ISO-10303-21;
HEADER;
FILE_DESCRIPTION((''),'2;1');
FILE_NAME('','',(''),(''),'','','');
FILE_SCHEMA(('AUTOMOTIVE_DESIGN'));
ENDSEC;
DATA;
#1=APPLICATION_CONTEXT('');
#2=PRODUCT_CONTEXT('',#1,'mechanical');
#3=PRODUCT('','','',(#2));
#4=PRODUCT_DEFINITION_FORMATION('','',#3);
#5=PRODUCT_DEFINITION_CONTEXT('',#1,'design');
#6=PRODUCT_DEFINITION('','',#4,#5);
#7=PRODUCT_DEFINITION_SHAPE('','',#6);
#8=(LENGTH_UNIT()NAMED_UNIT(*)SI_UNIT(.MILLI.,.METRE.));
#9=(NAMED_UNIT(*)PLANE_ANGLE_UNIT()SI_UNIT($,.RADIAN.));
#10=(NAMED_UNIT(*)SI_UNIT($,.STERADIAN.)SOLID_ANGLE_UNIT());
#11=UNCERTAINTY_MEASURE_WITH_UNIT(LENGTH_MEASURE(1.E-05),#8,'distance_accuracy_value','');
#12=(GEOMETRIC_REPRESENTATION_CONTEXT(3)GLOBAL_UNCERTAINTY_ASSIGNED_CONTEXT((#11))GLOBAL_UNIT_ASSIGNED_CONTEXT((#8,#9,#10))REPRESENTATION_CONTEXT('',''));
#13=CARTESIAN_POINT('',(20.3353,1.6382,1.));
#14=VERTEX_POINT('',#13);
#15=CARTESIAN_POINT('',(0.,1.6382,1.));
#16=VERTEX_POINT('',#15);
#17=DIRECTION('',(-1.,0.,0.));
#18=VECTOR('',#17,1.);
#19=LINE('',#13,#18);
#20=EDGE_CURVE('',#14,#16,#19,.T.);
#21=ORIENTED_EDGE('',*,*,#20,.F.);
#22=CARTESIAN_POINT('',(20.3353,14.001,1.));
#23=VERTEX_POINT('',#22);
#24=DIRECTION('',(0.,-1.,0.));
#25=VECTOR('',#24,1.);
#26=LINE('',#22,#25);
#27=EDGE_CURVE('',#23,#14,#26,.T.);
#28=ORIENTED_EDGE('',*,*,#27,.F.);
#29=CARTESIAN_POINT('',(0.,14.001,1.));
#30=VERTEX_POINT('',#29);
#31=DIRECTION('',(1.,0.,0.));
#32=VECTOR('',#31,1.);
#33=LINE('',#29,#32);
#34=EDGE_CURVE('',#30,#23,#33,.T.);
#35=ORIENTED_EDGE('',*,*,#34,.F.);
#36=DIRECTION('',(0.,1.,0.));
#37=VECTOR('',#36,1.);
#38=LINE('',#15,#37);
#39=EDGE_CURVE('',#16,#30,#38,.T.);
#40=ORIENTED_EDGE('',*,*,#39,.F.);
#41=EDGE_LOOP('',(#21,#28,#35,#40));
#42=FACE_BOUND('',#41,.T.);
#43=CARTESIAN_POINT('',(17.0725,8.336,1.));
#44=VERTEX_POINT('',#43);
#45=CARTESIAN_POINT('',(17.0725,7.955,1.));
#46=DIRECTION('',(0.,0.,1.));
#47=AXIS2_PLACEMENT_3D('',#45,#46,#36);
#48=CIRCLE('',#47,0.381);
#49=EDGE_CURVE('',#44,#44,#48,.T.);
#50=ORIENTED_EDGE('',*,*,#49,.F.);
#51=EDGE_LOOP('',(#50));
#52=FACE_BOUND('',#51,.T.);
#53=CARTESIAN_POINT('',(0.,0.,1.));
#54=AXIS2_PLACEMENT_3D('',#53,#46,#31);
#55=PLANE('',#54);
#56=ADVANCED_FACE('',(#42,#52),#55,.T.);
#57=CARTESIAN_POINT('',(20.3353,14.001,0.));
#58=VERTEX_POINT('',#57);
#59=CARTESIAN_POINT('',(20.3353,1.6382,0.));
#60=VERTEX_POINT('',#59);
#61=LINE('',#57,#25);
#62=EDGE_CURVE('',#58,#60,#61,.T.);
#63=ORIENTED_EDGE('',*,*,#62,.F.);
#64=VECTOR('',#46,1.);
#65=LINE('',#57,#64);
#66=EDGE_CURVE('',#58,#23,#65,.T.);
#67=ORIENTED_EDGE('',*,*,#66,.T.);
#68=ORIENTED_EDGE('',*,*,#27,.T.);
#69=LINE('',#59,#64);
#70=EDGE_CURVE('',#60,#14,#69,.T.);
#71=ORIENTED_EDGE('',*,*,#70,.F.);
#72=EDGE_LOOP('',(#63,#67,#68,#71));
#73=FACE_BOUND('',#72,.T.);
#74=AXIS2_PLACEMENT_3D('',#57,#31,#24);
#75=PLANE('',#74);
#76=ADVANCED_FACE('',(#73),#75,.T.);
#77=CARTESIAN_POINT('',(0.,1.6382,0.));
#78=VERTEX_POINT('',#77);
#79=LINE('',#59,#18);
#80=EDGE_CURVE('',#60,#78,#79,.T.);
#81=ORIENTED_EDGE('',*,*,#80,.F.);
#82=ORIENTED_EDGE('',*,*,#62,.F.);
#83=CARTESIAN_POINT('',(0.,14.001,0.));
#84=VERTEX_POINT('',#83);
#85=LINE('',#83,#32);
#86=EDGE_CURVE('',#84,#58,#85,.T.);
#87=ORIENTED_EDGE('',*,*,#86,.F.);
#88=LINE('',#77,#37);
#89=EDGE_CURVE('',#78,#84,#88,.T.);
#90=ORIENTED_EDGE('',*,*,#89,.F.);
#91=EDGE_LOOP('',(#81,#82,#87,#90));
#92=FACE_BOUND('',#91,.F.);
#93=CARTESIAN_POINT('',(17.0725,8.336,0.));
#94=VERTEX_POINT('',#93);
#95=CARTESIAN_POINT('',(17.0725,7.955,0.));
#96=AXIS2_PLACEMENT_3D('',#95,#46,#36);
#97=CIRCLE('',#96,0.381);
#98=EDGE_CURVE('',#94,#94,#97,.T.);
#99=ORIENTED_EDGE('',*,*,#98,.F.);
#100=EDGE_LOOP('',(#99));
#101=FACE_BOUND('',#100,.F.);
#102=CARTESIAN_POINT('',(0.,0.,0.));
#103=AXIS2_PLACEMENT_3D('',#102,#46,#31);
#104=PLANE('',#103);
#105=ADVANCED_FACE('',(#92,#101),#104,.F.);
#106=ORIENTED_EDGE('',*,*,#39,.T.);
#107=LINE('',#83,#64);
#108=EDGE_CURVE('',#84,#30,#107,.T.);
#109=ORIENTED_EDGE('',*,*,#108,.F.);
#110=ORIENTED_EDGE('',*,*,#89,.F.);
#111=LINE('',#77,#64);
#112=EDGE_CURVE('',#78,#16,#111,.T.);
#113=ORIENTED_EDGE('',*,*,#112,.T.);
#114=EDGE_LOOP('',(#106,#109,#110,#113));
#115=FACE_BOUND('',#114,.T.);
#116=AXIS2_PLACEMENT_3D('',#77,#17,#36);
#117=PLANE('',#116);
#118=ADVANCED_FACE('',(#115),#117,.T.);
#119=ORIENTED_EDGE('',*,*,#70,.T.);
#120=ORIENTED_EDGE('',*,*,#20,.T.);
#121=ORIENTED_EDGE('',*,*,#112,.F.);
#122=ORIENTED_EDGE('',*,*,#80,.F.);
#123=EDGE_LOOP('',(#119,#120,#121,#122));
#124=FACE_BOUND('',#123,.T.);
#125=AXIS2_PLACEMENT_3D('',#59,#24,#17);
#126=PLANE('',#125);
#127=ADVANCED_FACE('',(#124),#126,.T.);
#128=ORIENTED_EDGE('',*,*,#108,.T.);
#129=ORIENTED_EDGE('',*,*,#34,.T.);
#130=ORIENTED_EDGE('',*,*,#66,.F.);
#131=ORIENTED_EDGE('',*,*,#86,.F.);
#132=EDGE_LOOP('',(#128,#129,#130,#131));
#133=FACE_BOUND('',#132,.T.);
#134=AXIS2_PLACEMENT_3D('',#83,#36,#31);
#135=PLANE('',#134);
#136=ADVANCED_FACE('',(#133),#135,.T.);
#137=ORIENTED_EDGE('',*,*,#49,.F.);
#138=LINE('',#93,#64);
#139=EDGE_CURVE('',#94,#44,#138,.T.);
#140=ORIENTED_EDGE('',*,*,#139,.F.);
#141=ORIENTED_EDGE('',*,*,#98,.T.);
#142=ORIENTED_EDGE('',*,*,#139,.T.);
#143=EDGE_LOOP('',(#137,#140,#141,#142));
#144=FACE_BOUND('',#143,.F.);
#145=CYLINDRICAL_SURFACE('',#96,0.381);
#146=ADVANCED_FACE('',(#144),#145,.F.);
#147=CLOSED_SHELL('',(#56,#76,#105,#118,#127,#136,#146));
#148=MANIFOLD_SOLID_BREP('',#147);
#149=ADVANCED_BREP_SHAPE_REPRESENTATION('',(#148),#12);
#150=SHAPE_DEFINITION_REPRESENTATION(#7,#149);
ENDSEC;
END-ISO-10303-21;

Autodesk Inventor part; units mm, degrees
ref_plane "YZ Plane" through (0, 0, 0) normal (1, 0, 0) x (0, 1, 0)
ref_plane "XZ Plane" through (0, 0, 0) normal (0, 1, 0) x (-1, 0, 0)
ref_plane "XY Plane" through (0, 0, 0) normal (0, 0, 1) x (1, 0, 0)
sketch "Sketch1" plane through (0, 0, 0) normal (0, 0, 1) x (1, 0, 0)
  line L0 (0, 14.001) -> (20.3353, 14.001)
  line L1 (20.3353, 14.001) -> (20.3353, 1.6382)
  line L2 (20.3353, 1.6382) -> (0, 1.6382)
  line L3 (0, 1.6382) -> (0, 14.001)
  point P0 (0, 0)
extrude "Extrusion1" add sketch "Sketch1" along normal blind 1
sketch "Sketch2" plane through (0, 0, 0) normal (0, 0, -1) x (-1, 0, 0)
  point P0 (0, 0)
sketch "Sketch3" plane through (0, 0, 0) normal (0, 0, -1) x (-1, 0, 0)
  point P0 (0, 0)
  point P1 (-17.0725, 7.955)
hole "Hole1" at (17.0725, 7.955, 0) direction (0, 0, 1) diameter 0.762 end through all
properties part number "1"
